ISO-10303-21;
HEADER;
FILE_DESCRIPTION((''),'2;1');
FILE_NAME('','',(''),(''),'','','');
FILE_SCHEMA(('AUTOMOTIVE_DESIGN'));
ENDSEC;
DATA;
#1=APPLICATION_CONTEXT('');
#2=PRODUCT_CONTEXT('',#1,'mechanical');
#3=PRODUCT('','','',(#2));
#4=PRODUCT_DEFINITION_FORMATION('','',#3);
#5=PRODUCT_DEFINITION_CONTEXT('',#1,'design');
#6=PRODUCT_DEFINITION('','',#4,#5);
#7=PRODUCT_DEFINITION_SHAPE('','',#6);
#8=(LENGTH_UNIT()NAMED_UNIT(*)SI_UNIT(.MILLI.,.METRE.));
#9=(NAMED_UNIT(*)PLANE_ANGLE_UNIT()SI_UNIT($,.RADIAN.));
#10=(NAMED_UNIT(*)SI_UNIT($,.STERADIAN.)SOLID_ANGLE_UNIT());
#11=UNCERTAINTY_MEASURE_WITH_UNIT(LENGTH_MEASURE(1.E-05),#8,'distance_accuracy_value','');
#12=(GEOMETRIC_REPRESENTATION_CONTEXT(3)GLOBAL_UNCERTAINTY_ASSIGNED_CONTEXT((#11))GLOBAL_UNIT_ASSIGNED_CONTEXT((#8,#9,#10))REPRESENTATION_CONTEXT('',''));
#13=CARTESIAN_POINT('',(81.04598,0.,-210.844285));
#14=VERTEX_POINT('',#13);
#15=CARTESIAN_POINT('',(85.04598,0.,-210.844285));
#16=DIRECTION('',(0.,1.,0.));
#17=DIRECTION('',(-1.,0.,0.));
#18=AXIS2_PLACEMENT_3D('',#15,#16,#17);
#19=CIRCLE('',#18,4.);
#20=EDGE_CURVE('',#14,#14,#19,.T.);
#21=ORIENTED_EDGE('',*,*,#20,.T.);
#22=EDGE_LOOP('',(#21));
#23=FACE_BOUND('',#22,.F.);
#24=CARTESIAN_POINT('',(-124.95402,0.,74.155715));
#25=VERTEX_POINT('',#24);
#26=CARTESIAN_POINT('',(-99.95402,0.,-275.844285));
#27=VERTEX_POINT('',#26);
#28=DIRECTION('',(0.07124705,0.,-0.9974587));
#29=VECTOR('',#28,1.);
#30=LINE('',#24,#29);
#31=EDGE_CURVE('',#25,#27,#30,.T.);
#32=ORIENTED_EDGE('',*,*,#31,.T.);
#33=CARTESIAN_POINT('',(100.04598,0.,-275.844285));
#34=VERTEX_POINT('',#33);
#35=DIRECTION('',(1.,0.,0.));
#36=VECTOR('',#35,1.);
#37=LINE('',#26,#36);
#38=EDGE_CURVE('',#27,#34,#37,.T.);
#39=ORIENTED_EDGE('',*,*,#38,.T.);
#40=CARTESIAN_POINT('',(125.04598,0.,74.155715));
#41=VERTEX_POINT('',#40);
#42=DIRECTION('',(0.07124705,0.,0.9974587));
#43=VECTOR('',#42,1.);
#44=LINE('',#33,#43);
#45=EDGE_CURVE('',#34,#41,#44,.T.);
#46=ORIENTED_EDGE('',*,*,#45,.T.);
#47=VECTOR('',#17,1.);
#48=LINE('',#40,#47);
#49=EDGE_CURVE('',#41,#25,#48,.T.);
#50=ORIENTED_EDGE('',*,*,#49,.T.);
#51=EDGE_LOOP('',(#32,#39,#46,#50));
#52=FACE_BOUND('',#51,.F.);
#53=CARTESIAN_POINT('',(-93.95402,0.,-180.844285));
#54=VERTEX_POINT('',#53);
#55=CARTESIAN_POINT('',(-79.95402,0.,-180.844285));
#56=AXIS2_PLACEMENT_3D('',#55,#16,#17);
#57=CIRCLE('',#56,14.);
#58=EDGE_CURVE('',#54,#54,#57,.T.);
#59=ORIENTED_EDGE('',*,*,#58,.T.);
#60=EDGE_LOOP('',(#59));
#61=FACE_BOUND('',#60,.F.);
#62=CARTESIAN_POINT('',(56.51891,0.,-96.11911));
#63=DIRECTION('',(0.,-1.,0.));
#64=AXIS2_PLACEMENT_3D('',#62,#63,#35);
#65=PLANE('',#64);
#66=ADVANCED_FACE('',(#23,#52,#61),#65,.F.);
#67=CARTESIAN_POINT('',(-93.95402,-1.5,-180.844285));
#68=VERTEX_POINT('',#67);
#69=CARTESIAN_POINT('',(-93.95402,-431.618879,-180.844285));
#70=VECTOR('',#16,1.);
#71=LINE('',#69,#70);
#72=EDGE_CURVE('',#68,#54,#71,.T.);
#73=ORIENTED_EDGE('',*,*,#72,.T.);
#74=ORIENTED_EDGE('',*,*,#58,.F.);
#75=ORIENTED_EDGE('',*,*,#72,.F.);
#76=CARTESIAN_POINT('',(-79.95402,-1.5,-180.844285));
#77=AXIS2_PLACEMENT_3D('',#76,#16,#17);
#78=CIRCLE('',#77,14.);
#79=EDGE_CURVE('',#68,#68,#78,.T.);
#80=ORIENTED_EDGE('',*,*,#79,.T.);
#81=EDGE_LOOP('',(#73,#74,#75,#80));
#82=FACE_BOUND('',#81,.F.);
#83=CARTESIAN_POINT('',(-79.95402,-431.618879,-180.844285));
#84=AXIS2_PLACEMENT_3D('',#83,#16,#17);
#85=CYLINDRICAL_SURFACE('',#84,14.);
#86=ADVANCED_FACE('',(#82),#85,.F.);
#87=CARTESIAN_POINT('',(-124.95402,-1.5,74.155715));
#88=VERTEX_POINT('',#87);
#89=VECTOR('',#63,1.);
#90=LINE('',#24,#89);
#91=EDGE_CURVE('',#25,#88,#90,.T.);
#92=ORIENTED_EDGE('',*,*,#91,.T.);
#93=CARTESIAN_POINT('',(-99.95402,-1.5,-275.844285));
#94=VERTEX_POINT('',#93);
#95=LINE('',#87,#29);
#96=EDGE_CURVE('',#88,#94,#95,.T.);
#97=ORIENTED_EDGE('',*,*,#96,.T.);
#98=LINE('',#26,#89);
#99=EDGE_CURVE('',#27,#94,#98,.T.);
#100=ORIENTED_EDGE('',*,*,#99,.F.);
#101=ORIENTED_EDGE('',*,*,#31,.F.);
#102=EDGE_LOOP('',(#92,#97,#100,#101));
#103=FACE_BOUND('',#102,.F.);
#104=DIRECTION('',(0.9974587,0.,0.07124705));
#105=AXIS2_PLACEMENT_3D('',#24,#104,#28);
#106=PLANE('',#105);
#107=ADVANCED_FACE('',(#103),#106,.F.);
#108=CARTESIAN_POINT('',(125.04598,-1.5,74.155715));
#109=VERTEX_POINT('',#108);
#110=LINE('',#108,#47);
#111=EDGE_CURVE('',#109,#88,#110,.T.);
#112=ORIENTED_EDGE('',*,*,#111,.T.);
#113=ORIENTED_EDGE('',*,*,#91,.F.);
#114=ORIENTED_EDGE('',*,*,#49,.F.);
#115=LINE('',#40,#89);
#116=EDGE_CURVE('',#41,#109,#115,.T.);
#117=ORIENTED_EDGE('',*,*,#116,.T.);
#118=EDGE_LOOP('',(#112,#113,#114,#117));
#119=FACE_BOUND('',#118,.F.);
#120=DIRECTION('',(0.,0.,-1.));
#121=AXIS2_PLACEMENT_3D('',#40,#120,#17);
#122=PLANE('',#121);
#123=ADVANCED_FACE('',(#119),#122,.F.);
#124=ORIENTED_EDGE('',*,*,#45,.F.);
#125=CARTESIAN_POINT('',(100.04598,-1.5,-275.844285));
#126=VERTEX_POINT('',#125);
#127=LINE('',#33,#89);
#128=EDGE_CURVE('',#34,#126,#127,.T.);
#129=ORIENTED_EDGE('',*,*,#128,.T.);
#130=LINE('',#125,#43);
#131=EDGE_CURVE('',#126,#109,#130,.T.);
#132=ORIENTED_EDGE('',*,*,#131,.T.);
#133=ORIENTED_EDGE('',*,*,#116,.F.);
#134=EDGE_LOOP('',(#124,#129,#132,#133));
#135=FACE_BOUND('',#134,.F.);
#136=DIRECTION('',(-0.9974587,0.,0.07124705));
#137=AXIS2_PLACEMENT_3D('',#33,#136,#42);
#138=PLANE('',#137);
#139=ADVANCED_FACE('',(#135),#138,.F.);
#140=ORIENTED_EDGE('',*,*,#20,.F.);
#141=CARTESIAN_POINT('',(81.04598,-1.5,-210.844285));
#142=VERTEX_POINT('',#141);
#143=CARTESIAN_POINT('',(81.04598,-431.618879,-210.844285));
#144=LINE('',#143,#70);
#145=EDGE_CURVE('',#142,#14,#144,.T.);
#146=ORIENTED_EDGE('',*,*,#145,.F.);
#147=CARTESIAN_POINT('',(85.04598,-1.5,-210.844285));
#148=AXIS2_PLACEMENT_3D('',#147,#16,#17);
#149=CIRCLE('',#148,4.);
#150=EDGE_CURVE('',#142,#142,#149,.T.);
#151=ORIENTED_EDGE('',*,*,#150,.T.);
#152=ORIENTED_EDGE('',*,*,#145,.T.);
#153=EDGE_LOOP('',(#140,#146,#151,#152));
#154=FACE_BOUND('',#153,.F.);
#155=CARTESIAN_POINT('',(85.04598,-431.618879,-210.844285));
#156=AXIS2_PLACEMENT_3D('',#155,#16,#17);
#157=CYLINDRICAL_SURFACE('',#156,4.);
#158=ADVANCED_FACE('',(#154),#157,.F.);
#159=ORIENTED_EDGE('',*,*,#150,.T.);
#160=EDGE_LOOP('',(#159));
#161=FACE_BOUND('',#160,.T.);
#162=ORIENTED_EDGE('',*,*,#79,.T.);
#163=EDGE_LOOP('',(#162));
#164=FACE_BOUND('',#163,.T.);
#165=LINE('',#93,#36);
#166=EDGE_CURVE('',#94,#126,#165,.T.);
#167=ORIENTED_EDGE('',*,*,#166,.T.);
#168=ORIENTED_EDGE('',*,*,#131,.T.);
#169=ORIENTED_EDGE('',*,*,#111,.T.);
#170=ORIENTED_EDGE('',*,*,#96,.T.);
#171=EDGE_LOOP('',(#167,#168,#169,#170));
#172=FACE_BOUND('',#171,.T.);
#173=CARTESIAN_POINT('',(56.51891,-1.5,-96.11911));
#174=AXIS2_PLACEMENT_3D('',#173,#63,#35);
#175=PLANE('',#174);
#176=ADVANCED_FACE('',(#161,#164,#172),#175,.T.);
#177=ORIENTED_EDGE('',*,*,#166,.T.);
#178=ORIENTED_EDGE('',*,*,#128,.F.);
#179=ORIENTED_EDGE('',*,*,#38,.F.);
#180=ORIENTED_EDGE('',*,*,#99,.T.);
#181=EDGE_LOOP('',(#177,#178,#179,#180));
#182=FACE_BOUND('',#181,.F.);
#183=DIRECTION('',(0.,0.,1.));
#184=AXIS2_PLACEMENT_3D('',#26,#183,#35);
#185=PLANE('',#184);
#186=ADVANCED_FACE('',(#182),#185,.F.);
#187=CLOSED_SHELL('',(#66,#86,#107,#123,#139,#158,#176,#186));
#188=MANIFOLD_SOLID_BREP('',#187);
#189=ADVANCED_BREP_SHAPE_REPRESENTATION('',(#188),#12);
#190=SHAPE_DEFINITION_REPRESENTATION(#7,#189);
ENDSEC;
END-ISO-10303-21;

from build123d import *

# Parameters (mm, degrees)
F1_DEPTH = 1.5
F3_D     = 28
F4_D     = 8


with BuildPart() as f1:
    # F0 (on Front) → F1 (new body)
    with BuildSketch(Plane.XZ):
        Polygon((125.04598, 74.155715), (0.04598, 74.155715), (0.04598, -275.844285), (100.04598, -275.844285), align=None)
        Polygon((0.04598, -275.844285), (0.04598, 74.155715), (-124.95402, 74.155715), (-99.95402, -275.844285), align=None)
    extrude(amount=F1_DEPTH)

    # F3 (through all)
    with Locations(Plane.XZ.offset(1.5)):
        with Locations((-79.95402, -180.844285)):
            Hole(F3_D / 2)

    # F4 (through all)
    with Locations(Plane.XZ.offset(1.5)):
        with Locations((85.04598, -210.844285)):
            Hole(F4_D / 2)


solid = f1.part
